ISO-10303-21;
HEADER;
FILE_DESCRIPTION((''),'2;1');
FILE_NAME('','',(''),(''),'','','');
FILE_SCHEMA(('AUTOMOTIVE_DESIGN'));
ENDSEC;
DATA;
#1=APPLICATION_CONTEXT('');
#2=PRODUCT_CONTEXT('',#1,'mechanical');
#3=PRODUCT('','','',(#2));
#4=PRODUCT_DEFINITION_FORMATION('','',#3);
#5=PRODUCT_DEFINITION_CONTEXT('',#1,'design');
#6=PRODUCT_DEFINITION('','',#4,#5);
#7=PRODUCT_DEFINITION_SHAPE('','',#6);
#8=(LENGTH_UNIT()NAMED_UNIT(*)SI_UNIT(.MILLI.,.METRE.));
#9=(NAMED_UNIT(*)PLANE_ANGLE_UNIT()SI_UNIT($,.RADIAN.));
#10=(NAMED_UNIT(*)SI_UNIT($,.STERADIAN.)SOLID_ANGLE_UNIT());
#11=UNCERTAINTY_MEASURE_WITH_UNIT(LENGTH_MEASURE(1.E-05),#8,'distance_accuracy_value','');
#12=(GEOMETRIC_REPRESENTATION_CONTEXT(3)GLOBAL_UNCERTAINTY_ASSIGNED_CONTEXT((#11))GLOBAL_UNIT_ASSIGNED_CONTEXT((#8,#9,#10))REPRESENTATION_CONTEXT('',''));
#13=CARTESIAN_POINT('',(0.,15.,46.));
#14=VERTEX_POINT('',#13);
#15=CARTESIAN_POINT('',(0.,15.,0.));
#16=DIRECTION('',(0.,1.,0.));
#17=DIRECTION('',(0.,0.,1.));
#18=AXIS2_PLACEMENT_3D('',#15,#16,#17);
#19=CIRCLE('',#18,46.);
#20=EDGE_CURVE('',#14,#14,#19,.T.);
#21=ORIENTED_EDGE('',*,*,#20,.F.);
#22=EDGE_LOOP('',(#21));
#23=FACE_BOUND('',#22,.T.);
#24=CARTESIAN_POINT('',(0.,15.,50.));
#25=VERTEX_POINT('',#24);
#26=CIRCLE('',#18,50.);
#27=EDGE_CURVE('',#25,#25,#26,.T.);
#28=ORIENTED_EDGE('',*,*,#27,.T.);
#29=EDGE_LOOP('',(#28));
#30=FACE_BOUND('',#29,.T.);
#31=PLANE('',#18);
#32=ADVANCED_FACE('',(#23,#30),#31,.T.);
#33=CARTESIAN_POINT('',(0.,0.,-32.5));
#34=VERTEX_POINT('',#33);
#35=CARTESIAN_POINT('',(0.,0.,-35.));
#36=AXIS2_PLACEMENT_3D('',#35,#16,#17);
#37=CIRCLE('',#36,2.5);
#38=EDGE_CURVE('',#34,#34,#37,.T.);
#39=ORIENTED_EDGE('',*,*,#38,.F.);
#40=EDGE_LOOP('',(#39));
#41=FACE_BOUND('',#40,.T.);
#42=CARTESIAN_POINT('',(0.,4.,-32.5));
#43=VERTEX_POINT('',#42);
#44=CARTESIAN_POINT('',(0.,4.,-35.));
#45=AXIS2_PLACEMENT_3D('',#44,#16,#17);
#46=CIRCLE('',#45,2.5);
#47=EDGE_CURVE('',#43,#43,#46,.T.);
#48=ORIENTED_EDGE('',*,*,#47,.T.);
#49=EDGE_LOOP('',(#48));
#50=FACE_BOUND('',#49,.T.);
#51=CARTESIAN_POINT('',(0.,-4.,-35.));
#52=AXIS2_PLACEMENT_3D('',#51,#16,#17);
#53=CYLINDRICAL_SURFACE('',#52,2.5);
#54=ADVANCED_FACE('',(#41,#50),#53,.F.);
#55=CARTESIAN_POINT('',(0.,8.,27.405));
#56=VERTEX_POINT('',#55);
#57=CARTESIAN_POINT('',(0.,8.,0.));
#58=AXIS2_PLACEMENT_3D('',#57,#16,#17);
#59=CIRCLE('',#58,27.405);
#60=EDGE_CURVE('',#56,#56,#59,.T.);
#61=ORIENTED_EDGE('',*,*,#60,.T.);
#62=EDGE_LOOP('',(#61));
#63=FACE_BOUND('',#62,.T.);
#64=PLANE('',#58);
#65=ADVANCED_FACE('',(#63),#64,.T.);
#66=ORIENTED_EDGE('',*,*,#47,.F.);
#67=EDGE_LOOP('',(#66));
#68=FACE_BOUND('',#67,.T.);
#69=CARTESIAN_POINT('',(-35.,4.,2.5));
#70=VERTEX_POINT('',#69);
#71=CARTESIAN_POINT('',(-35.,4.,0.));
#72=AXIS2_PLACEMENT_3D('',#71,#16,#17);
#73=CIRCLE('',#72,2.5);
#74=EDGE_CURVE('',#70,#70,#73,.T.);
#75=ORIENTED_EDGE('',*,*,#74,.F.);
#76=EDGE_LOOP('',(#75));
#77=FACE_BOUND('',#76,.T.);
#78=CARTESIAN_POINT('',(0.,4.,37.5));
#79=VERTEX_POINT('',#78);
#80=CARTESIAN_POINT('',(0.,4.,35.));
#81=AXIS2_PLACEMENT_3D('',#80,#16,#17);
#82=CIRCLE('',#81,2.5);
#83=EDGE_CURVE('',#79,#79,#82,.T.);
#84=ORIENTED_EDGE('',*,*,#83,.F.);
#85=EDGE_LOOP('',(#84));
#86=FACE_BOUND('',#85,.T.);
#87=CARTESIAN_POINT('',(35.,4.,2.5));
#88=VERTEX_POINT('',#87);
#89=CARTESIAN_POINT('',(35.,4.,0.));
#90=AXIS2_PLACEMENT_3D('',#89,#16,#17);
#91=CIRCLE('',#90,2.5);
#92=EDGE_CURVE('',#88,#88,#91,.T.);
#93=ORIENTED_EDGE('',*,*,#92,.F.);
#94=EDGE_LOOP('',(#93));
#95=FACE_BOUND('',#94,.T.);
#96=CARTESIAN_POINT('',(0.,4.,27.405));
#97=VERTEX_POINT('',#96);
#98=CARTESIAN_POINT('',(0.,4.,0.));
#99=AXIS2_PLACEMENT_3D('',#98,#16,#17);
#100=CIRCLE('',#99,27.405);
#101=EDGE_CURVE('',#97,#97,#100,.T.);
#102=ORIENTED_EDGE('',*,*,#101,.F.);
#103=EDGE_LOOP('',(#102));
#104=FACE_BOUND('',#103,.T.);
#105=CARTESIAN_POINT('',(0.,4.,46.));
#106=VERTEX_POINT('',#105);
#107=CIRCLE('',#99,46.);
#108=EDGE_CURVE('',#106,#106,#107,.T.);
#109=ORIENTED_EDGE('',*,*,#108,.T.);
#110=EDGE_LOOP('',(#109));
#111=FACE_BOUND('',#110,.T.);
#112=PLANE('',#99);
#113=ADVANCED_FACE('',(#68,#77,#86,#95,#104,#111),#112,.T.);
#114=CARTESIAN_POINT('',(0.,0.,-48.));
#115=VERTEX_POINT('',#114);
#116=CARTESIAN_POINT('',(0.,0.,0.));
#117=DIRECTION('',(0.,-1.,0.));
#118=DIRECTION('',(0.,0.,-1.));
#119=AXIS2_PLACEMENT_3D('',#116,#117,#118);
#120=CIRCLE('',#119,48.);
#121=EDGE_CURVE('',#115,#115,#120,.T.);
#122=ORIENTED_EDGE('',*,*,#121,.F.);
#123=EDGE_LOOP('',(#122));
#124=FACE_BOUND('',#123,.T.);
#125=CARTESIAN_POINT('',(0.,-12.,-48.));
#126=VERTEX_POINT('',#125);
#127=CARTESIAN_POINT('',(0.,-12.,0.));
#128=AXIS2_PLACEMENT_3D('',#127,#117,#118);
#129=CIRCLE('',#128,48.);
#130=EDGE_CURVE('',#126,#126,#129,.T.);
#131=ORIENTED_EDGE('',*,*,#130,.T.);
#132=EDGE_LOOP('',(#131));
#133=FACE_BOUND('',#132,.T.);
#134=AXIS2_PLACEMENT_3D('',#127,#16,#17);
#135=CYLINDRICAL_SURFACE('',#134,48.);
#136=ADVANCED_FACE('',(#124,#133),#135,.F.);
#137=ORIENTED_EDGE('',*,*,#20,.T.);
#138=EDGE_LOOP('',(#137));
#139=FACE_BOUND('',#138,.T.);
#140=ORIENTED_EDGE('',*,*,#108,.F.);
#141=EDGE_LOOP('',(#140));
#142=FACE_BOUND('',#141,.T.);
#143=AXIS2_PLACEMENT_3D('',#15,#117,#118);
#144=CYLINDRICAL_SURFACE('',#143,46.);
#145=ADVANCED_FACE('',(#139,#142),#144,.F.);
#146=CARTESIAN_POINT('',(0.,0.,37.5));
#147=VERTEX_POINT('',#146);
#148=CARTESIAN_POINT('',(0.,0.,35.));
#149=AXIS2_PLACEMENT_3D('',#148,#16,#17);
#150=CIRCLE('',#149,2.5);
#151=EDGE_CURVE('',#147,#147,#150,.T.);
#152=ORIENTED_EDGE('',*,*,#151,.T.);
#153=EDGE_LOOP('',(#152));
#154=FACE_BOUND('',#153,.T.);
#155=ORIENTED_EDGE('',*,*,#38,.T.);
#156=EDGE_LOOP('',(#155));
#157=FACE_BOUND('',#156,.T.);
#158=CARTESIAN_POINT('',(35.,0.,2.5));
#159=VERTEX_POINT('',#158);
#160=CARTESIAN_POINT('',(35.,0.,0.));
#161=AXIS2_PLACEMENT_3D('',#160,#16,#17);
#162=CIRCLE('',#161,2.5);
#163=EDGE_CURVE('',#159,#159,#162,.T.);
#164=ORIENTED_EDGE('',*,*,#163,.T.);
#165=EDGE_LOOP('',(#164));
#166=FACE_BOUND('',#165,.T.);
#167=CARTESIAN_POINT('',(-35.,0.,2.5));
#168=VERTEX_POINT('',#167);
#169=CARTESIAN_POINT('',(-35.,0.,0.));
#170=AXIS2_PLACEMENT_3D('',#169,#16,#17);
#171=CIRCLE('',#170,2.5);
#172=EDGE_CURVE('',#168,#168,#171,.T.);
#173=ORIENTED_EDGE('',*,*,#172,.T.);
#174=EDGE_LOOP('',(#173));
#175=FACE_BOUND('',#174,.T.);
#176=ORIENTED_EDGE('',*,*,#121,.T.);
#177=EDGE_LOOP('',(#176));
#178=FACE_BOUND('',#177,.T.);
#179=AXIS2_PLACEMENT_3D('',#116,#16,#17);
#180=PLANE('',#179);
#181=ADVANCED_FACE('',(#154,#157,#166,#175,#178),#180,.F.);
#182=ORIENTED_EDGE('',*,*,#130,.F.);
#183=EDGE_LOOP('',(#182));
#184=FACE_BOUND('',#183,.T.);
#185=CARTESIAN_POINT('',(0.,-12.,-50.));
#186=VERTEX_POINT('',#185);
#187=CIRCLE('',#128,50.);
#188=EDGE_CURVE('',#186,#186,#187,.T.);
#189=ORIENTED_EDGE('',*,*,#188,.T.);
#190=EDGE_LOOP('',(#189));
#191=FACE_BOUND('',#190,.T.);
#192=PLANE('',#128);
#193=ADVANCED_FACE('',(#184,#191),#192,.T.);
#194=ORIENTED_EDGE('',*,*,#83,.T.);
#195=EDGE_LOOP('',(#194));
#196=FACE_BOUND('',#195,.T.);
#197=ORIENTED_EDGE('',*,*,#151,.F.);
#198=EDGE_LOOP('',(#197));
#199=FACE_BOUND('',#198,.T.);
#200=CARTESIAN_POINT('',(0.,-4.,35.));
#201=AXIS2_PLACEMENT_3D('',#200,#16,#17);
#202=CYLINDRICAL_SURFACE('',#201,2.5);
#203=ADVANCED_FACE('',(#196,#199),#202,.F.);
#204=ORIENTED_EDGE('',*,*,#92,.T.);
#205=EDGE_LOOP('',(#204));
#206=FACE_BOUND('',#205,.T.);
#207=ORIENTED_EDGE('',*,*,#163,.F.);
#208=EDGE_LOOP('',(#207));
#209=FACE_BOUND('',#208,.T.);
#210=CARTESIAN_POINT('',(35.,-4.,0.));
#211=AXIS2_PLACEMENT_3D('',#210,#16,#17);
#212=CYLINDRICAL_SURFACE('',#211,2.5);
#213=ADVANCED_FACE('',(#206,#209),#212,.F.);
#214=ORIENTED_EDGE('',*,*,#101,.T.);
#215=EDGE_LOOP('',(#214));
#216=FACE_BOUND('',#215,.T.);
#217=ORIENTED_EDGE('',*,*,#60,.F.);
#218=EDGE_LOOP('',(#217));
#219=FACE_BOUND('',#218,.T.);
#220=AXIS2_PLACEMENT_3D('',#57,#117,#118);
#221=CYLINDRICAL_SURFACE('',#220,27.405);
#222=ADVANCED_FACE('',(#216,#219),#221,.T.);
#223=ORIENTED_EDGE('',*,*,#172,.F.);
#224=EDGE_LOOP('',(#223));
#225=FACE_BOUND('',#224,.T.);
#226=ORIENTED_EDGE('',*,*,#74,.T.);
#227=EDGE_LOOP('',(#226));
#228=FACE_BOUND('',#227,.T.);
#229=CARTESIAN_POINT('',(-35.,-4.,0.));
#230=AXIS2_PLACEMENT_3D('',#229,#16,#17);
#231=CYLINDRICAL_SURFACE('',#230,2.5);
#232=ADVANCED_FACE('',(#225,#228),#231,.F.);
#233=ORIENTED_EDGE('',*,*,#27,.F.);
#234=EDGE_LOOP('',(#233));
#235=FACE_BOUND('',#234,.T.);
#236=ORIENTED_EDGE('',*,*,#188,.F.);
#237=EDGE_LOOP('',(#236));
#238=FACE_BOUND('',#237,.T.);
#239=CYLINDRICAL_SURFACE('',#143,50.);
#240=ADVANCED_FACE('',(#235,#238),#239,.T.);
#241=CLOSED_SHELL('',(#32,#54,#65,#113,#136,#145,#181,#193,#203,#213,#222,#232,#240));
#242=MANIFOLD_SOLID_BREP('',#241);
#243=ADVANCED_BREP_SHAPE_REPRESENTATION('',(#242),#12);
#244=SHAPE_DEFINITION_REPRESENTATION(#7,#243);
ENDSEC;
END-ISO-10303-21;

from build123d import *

# Parameters (mm, degrees)
SKETCH1_R           = 50
BOSS_EXTRUDE2_DEPTH = 15
SHELL1_T            = -4
SKETCH3_R           = 27.405
BOSS_EXTRUDE3_DEPTH = 4
SKETCH7_R           = 2.5
CUT_EXTRUDE1_DEPTH  = 12
BOSS_EXTRUDE5_START = 12
SKETCH8_R           = 50
SKETCH8_R_2         = 48
BOSS_EXTRUDE5_DEPTH = 12


with BuildPart() as part:
    # Sketch1 → Boss-Extrude2 (new body)
    with BuildSketch(Plane(origin=(0, 0, 0), x_dir=(1, 0, 0), z_dir=(0, 1, 0))):
        with Locations(Location((0, 0, 0), (0, 0, 270))):
            Circle(SKETCH1_R)
    extrude(amount=BOSS_EXTRUDE2_DEPTH)

    # Shell1
    shell1_openings = [part.faces().sort_by_distance(p)[0] for p in [
        (0, 15, 0),
    ]]
    offset(amount=SHELL1_T, openings=shell1_openings, kind=Kind.INTERSECTION)

    # Sketch3 → Boss-Extrude3 (add)
    with BuildSketch(Plane(origin=(0, 4, 0), x_dir=(1, 0, 0), z_dir=(0, 1, 0))):
        with Locations(Location((0, 0, 0), (0, 0, 270))):
            Circle(SKETCH3_R)
    extrude(amount=BOSS_EXTRUDE3_DEPTH)

    # Sketch7 → Cut-Extrude1 (cut)
    with BuildSketch(Plane(origin=(0, 8, 0), x_dir=(1, 0, 0), z_dir=(0, 1, 0))):
        with Locations(Location((35, 0, 0), (0, 0, 270))):
            Circle(SKETCH7_R)
        with Locations(Location((0, 35, 0), (0, 0, 270))):
            Circle(SKETCH7_R)
        with Locations(Location((-35, 0, 0), (0, 0, 270))):
            Circle(SKETCH7_R)
        with Locations(Location((0, -35, 0), (0, 0, 270))):
            Circle(SKETCH7_R)
    extrude(amount=-CUT_EXTRUDE1_DEPTH, mode=Mode.SUBTRACT)

    # Sketch8 → Boss-Extrude5 (add)
    with BuildSketch(Plane(origin=(0, 0, 0), x_dir=(-1, 0, 0), z_dir=(0, -1, 0)).offset(BOSS_EXTRUDE5_START)):
        with Locations(Location((0, 0, 0), (0, 0, 90))):
            Circle(SKETCH8_R)
        with Locations(Location((0, 0, 0), (0, 0, 90))):
            Circle(SKETCH8_R_2, mode=Mode.SUBTRACT)
    extrude(amount=-BOSS_EXTRUDE5_DEPTH)


solid = part.part
